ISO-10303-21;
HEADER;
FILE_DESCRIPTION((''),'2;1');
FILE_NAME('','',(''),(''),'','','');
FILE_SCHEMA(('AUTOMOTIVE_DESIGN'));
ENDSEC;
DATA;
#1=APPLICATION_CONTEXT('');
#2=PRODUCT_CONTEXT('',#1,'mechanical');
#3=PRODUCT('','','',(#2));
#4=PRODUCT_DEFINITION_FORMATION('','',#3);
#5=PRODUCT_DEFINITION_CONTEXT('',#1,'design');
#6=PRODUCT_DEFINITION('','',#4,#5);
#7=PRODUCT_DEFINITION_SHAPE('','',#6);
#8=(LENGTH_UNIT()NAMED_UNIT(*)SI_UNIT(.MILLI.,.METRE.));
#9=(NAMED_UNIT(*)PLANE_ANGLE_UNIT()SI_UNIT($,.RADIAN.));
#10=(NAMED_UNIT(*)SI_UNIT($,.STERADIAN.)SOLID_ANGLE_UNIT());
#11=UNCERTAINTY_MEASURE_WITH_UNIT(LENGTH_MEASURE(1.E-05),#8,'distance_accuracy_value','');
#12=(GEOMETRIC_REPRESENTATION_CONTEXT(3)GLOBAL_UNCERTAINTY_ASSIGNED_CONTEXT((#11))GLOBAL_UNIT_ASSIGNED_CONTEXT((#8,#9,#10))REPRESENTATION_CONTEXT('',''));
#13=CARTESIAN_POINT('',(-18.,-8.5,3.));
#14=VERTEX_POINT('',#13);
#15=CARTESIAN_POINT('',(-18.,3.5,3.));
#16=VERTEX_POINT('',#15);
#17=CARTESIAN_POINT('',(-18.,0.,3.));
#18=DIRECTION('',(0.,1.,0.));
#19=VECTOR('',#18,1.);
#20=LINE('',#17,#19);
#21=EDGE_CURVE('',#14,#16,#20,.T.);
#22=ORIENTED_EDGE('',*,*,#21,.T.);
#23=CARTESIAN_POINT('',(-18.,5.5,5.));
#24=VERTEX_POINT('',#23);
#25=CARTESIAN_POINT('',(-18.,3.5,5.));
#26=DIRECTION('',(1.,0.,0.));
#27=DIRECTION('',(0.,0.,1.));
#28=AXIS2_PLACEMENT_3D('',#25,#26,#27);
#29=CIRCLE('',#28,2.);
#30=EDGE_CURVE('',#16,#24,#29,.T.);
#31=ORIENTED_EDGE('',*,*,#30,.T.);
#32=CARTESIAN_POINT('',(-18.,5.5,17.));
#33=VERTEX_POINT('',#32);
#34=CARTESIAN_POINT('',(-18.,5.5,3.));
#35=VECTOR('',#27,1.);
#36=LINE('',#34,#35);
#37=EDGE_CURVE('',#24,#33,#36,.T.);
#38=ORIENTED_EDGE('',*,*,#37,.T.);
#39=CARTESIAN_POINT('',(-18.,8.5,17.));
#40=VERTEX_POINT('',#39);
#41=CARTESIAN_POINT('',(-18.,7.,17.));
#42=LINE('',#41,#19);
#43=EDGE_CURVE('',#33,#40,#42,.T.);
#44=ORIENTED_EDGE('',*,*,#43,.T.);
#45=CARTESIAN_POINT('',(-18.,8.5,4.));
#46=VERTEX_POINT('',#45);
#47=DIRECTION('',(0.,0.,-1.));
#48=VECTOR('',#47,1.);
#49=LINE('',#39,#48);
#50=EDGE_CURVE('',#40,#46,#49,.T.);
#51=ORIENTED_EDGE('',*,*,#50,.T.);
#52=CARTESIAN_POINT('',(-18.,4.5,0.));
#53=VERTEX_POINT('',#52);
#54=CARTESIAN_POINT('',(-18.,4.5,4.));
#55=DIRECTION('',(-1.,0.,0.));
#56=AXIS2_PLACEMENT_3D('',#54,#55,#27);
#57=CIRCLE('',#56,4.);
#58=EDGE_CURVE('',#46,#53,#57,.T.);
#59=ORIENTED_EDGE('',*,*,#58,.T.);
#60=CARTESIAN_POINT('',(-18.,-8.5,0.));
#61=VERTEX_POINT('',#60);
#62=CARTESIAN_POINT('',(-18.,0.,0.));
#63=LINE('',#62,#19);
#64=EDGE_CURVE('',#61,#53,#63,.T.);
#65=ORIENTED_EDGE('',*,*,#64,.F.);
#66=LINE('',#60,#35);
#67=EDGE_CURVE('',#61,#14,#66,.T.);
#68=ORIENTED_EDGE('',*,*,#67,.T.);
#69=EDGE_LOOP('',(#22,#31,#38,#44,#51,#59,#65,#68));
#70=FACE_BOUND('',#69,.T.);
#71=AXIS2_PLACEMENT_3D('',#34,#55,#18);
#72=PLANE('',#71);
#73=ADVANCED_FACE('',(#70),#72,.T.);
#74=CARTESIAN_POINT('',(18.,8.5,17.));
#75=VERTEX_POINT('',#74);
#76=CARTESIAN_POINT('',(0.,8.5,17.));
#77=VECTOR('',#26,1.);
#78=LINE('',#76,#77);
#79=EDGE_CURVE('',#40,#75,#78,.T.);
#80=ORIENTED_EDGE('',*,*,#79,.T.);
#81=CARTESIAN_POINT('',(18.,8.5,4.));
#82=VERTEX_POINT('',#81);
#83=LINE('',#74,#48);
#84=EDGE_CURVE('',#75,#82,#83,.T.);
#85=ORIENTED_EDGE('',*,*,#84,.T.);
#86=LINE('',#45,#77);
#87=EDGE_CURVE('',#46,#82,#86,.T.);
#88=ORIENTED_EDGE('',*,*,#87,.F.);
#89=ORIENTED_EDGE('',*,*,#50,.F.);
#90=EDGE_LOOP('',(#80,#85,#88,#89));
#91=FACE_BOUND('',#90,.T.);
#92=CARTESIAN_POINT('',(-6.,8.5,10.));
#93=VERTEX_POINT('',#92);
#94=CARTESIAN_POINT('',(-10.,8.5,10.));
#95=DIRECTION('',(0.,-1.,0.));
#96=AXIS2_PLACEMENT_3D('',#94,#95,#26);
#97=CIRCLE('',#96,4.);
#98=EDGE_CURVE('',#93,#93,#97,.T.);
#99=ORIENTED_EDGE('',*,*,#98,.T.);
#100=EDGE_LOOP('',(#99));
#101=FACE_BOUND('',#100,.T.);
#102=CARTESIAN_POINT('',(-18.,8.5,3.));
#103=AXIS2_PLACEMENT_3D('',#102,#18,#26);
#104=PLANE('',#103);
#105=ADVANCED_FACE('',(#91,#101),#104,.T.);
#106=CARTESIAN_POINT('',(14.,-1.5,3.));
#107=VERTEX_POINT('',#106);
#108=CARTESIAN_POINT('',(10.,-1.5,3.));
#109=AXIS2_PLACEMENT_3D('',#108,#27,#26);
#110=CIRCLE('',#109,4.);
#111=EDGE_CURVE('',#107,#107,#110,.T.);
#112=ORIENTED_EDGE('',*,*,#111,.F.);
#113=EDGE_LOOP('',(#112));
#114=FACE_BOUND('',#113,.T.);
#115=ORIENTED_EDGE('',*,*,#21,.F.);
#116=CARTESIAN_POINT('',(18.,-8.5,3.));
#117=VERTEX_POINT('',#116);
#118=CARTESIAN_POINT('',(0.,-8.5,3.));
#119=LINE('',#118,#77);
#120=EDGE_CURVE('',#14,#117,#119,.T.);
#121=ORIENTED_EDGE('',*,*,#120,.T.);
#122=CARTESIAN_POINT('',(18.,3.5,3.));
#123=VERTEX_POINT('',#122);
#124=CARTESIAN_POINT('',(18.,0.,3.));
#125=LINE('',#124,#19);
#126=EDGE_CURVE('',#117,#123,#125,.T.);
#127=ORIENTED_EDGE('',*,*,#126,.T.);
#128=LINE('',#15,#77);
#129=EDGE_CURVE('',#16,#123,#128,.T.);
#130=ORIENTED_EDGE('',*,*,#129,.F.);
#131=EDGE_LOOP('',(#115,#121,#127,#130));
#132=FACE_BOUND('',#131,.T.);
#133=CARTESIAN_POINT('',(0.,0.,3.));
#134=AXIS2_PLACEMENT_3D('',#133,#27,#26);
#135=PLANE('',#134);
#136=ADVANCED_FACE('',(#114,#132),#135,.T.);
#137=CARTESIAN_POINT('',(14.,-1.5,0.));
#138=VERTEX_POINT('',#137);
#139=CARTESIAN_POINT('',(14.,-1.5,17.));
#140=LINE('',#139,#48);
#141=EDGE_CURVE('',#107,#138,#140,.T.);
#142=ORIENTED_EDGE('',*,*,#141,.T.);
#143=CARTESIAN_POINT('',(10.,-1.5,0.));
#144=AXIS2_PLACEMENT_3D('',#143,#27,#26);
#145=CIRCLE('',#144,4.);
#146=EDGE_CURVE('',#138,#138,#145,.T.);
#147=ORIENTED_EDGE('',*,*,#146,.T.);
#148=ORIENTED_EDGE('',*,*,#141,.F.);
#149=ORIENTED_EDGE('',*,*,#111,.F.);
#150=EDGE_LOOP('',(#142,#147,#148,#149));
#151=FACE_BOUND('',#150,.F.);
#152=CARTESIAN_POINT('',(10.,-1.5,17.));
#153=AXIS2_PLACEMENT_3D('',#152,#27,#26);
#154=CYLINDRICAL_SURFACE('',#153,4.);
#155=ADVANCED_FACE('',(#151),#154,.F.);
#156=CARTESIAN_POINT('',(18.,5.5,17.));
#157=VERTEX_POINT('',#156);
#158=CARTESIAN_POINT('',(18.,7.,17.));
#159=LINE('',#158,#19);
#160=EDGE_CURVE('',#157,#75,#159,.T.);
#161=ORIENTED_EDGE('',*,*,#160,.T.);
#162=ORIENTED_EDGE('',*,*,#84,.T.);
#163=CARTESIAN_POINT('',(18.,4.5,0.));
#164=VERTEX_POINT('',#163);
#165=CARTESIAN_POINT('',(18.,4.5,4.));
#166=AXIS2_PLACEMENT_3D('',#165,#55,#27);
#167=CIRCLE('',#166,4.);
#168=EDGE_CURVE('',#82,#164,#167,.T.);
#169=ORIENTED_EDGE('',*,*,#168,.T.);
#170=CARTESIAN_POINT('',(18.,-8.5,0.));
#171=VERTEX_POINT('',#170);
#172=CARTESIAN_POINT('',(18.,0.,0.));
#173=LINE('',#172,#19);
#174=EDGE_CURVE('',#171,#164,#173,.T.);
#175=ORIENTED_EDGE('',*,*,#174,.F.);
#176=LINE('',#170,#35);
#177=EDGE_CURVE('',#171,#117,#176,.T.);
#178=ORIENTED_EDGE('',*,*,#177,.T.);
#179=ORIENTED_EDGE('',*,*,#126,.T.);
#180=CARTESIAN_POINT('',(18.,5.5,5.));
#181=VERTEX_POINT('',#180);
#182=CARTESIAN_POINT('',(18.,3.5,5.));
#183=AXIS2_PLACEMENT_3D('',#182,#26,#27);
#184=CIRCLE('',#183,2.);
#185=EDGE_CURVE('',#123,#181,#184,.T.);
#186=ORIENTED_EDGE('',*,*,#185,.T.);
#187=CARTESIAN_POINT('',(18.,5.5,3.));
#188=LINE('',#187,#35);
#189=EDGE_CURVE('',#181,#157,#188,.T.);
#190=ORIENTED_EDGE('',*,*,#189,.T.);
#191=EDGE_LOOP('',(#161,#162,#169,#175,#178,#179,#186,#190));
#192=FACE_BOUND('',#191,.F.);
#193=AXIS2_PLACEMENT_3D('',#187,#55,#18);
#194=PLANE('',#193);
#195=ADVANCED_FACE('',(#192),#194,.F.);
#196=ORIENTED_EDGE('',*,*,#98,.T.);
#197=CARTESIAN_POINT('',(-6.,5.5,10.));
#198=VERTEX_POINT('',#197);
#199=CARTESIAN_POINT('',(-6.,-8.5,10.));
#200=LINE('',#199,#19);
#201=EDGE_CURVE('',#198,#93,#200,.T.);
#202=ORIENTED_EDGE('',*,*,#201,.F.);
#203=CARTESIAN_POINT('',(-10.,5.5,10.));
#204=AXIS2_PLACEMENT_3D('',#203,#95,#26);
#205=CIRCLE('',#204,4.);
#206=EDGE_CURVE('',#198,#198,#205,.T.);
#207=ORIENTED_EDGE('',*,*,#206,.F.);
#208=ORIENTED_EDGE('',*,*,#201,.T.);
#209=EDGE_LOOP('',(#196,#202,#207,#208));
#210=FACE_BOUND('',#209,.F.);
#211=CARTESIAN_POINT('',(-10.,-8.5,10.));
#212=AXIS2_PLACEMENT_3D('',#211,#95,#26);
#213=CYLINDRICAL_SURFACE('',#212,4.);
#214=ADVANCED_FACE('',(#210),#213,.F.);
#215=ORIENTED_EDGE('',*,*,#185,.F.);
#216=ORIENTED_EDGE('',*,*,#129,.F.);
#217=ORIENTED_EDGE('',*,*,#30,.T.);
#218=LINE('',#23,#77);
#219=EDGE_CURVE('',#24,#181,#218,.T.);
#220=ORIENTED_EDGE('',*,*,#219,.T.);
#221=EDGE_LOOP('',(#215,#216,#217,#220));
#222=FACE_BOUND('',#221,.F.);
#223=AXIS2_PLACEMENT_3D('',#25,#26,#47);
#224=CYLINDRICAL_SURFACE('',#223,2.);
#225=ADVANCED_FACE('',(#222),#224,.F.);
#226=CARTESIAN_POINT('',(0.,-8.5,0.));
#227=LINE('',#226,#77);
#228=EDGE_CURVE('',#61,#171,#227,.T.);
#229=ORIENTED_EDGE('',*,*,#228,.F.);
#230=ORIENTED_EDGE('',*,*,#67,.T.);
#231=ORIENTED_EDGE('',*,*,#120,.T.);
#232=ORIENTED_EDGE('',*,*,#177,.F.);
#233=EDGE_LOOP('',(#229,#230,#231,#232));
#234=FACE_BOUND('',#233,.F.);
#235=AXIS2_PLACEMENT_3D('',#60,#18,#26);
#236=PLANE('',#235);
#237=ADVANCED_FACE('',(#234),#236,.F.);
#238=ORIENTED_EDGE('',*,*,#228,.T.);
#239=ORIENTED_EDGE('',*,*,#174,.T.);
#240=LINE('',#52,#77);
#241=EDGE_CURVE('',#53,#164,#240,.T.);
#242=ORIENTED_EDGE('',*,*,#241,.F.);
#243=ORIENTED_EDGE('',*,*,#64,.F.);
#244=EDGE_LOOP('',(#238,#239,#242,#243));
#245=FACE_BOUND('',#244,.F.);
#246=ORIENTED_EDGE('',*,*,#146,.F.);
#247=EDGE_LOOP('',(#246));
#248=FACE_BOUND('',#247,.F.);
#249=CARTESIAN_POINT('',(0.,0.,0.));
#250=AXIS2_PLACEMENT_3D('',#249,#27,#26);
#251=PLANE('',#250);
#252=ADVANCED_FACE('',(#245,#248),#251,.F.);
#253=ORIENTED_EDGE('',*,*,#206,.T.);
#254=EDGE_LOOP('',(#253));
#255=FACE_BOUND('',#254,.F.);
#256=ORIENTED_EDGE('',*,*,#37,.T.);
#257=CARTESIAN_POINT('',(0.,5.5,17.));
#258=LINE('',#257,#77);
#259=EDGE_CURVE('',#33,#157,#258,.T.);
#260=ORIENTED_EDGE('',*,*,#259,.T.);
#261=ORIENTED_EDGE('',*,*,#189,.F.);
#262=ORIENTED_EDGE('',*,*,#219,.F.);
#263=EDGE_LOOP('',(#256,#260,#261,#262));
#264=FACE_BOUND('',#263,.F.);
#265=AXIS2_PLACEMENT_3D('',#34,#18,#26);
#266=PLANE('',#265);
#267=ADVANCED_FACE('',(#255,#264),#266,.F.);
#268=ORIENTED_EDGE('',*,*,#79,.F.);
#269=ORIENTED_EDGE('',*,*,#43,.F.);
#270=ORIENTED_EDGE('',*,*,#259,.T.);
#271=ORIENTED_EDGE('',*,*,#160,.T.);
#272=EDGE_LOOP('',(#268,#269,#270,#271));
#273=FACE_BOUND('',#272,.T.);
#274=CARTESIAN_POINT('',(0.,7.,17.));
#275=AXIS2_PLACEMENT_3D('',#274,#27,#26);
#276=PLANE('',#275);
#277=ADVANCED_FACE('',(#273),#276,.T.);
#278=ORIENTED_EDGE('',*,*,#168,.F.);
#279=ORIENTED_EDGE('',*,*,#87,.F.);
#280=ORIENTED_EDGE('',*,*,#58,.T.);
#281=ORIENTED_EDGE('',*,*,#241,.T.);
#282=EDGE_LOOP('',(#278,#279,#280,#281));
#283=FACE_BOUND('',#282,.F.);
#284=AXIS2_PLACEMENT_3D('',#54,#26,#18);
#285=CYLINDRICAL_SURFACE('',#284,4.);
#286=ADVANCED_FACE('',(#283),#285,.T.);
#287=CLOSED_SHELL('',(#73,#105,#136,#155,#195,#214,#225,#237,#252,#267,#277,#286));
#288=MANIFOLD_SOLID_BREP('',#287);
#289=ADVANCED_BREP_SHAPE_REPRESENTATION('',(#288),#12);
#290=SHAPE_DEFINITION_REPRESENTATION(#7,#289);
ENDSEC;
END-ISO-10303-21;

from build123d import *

# Parameters (mm, degrees)
SKETCH1_W           = 36
SKETCH1_H           = 17
BOSS_EXTRUDE1_DEPTH = 3
SKETCH15_W          = 36
SKETCH15_H          = 3
BOSS_EXTRUDE2_DEPTH = 14
FILLET2_R           = 2
FILLET3_R           = 4
SKETCH17_R          = 4
CUT_EXTRUDE1_DEPTH  = 18
SKETCH18_R          = 4
CUT_EXTRUDE2_DEPTH  = 18


with BuildPart() as part:
    # Sketch1 → Boss-Extrude1 (new body)
    with BuildSketch(Plane.XY):
        Rectangle(SKETCH1_W, SKETCH1_H)
    extrude(amount=BOSS_EXTRUDE1_DEPTH)

    # Sketch15 → Boss-Extrude2 (add)
    with BuildSketch(Plane.XY.offset(3)):
        with Locations((0, 7)):
            Rectangle(SKETCH15_W, SKETCH15_H)
    extrude(amount=BOSS_EXTRUDE2_DEPTH)

    # Fillet2
    fillet2_edges = [part.edges().sort_by_distance(p)[0] for p in [
        (0, 5.5, 3),
    ]]
    fillet(fillet2_edges, radius=FILLET2_R)

    # Fillet3
    fillet3_edges = [part.edges().sort_by_distance(p)[0] for p in [
        (0, 8.5, 0),
    ]]
    fillet(fillet3_edges, radius=FILLET3_R)

    # Sketch17 → Cut-Extrude1 (cut, through all)
    with BuildSketch(Plane.XZ.offset(8.5)):
        with Locations((-10, 10)):
            Circle(SKETCH17_R)
    extrude(amount=-CUT_EXTRUDE1_DEPTH, mode=Mode.SUBTRACT)

    # Sketch18 → Cut-Extrude2 (cut, through all)
    with BuildSketch(Plane.XY.offset(17)):
        with Locations((10, -1.5)):
            Circle(SKETCH18_R)
    extrude(amount=-CUT_EXTRUDE2_DEPTH, mode=Mode.SUBTRACT)


solid = part.part
